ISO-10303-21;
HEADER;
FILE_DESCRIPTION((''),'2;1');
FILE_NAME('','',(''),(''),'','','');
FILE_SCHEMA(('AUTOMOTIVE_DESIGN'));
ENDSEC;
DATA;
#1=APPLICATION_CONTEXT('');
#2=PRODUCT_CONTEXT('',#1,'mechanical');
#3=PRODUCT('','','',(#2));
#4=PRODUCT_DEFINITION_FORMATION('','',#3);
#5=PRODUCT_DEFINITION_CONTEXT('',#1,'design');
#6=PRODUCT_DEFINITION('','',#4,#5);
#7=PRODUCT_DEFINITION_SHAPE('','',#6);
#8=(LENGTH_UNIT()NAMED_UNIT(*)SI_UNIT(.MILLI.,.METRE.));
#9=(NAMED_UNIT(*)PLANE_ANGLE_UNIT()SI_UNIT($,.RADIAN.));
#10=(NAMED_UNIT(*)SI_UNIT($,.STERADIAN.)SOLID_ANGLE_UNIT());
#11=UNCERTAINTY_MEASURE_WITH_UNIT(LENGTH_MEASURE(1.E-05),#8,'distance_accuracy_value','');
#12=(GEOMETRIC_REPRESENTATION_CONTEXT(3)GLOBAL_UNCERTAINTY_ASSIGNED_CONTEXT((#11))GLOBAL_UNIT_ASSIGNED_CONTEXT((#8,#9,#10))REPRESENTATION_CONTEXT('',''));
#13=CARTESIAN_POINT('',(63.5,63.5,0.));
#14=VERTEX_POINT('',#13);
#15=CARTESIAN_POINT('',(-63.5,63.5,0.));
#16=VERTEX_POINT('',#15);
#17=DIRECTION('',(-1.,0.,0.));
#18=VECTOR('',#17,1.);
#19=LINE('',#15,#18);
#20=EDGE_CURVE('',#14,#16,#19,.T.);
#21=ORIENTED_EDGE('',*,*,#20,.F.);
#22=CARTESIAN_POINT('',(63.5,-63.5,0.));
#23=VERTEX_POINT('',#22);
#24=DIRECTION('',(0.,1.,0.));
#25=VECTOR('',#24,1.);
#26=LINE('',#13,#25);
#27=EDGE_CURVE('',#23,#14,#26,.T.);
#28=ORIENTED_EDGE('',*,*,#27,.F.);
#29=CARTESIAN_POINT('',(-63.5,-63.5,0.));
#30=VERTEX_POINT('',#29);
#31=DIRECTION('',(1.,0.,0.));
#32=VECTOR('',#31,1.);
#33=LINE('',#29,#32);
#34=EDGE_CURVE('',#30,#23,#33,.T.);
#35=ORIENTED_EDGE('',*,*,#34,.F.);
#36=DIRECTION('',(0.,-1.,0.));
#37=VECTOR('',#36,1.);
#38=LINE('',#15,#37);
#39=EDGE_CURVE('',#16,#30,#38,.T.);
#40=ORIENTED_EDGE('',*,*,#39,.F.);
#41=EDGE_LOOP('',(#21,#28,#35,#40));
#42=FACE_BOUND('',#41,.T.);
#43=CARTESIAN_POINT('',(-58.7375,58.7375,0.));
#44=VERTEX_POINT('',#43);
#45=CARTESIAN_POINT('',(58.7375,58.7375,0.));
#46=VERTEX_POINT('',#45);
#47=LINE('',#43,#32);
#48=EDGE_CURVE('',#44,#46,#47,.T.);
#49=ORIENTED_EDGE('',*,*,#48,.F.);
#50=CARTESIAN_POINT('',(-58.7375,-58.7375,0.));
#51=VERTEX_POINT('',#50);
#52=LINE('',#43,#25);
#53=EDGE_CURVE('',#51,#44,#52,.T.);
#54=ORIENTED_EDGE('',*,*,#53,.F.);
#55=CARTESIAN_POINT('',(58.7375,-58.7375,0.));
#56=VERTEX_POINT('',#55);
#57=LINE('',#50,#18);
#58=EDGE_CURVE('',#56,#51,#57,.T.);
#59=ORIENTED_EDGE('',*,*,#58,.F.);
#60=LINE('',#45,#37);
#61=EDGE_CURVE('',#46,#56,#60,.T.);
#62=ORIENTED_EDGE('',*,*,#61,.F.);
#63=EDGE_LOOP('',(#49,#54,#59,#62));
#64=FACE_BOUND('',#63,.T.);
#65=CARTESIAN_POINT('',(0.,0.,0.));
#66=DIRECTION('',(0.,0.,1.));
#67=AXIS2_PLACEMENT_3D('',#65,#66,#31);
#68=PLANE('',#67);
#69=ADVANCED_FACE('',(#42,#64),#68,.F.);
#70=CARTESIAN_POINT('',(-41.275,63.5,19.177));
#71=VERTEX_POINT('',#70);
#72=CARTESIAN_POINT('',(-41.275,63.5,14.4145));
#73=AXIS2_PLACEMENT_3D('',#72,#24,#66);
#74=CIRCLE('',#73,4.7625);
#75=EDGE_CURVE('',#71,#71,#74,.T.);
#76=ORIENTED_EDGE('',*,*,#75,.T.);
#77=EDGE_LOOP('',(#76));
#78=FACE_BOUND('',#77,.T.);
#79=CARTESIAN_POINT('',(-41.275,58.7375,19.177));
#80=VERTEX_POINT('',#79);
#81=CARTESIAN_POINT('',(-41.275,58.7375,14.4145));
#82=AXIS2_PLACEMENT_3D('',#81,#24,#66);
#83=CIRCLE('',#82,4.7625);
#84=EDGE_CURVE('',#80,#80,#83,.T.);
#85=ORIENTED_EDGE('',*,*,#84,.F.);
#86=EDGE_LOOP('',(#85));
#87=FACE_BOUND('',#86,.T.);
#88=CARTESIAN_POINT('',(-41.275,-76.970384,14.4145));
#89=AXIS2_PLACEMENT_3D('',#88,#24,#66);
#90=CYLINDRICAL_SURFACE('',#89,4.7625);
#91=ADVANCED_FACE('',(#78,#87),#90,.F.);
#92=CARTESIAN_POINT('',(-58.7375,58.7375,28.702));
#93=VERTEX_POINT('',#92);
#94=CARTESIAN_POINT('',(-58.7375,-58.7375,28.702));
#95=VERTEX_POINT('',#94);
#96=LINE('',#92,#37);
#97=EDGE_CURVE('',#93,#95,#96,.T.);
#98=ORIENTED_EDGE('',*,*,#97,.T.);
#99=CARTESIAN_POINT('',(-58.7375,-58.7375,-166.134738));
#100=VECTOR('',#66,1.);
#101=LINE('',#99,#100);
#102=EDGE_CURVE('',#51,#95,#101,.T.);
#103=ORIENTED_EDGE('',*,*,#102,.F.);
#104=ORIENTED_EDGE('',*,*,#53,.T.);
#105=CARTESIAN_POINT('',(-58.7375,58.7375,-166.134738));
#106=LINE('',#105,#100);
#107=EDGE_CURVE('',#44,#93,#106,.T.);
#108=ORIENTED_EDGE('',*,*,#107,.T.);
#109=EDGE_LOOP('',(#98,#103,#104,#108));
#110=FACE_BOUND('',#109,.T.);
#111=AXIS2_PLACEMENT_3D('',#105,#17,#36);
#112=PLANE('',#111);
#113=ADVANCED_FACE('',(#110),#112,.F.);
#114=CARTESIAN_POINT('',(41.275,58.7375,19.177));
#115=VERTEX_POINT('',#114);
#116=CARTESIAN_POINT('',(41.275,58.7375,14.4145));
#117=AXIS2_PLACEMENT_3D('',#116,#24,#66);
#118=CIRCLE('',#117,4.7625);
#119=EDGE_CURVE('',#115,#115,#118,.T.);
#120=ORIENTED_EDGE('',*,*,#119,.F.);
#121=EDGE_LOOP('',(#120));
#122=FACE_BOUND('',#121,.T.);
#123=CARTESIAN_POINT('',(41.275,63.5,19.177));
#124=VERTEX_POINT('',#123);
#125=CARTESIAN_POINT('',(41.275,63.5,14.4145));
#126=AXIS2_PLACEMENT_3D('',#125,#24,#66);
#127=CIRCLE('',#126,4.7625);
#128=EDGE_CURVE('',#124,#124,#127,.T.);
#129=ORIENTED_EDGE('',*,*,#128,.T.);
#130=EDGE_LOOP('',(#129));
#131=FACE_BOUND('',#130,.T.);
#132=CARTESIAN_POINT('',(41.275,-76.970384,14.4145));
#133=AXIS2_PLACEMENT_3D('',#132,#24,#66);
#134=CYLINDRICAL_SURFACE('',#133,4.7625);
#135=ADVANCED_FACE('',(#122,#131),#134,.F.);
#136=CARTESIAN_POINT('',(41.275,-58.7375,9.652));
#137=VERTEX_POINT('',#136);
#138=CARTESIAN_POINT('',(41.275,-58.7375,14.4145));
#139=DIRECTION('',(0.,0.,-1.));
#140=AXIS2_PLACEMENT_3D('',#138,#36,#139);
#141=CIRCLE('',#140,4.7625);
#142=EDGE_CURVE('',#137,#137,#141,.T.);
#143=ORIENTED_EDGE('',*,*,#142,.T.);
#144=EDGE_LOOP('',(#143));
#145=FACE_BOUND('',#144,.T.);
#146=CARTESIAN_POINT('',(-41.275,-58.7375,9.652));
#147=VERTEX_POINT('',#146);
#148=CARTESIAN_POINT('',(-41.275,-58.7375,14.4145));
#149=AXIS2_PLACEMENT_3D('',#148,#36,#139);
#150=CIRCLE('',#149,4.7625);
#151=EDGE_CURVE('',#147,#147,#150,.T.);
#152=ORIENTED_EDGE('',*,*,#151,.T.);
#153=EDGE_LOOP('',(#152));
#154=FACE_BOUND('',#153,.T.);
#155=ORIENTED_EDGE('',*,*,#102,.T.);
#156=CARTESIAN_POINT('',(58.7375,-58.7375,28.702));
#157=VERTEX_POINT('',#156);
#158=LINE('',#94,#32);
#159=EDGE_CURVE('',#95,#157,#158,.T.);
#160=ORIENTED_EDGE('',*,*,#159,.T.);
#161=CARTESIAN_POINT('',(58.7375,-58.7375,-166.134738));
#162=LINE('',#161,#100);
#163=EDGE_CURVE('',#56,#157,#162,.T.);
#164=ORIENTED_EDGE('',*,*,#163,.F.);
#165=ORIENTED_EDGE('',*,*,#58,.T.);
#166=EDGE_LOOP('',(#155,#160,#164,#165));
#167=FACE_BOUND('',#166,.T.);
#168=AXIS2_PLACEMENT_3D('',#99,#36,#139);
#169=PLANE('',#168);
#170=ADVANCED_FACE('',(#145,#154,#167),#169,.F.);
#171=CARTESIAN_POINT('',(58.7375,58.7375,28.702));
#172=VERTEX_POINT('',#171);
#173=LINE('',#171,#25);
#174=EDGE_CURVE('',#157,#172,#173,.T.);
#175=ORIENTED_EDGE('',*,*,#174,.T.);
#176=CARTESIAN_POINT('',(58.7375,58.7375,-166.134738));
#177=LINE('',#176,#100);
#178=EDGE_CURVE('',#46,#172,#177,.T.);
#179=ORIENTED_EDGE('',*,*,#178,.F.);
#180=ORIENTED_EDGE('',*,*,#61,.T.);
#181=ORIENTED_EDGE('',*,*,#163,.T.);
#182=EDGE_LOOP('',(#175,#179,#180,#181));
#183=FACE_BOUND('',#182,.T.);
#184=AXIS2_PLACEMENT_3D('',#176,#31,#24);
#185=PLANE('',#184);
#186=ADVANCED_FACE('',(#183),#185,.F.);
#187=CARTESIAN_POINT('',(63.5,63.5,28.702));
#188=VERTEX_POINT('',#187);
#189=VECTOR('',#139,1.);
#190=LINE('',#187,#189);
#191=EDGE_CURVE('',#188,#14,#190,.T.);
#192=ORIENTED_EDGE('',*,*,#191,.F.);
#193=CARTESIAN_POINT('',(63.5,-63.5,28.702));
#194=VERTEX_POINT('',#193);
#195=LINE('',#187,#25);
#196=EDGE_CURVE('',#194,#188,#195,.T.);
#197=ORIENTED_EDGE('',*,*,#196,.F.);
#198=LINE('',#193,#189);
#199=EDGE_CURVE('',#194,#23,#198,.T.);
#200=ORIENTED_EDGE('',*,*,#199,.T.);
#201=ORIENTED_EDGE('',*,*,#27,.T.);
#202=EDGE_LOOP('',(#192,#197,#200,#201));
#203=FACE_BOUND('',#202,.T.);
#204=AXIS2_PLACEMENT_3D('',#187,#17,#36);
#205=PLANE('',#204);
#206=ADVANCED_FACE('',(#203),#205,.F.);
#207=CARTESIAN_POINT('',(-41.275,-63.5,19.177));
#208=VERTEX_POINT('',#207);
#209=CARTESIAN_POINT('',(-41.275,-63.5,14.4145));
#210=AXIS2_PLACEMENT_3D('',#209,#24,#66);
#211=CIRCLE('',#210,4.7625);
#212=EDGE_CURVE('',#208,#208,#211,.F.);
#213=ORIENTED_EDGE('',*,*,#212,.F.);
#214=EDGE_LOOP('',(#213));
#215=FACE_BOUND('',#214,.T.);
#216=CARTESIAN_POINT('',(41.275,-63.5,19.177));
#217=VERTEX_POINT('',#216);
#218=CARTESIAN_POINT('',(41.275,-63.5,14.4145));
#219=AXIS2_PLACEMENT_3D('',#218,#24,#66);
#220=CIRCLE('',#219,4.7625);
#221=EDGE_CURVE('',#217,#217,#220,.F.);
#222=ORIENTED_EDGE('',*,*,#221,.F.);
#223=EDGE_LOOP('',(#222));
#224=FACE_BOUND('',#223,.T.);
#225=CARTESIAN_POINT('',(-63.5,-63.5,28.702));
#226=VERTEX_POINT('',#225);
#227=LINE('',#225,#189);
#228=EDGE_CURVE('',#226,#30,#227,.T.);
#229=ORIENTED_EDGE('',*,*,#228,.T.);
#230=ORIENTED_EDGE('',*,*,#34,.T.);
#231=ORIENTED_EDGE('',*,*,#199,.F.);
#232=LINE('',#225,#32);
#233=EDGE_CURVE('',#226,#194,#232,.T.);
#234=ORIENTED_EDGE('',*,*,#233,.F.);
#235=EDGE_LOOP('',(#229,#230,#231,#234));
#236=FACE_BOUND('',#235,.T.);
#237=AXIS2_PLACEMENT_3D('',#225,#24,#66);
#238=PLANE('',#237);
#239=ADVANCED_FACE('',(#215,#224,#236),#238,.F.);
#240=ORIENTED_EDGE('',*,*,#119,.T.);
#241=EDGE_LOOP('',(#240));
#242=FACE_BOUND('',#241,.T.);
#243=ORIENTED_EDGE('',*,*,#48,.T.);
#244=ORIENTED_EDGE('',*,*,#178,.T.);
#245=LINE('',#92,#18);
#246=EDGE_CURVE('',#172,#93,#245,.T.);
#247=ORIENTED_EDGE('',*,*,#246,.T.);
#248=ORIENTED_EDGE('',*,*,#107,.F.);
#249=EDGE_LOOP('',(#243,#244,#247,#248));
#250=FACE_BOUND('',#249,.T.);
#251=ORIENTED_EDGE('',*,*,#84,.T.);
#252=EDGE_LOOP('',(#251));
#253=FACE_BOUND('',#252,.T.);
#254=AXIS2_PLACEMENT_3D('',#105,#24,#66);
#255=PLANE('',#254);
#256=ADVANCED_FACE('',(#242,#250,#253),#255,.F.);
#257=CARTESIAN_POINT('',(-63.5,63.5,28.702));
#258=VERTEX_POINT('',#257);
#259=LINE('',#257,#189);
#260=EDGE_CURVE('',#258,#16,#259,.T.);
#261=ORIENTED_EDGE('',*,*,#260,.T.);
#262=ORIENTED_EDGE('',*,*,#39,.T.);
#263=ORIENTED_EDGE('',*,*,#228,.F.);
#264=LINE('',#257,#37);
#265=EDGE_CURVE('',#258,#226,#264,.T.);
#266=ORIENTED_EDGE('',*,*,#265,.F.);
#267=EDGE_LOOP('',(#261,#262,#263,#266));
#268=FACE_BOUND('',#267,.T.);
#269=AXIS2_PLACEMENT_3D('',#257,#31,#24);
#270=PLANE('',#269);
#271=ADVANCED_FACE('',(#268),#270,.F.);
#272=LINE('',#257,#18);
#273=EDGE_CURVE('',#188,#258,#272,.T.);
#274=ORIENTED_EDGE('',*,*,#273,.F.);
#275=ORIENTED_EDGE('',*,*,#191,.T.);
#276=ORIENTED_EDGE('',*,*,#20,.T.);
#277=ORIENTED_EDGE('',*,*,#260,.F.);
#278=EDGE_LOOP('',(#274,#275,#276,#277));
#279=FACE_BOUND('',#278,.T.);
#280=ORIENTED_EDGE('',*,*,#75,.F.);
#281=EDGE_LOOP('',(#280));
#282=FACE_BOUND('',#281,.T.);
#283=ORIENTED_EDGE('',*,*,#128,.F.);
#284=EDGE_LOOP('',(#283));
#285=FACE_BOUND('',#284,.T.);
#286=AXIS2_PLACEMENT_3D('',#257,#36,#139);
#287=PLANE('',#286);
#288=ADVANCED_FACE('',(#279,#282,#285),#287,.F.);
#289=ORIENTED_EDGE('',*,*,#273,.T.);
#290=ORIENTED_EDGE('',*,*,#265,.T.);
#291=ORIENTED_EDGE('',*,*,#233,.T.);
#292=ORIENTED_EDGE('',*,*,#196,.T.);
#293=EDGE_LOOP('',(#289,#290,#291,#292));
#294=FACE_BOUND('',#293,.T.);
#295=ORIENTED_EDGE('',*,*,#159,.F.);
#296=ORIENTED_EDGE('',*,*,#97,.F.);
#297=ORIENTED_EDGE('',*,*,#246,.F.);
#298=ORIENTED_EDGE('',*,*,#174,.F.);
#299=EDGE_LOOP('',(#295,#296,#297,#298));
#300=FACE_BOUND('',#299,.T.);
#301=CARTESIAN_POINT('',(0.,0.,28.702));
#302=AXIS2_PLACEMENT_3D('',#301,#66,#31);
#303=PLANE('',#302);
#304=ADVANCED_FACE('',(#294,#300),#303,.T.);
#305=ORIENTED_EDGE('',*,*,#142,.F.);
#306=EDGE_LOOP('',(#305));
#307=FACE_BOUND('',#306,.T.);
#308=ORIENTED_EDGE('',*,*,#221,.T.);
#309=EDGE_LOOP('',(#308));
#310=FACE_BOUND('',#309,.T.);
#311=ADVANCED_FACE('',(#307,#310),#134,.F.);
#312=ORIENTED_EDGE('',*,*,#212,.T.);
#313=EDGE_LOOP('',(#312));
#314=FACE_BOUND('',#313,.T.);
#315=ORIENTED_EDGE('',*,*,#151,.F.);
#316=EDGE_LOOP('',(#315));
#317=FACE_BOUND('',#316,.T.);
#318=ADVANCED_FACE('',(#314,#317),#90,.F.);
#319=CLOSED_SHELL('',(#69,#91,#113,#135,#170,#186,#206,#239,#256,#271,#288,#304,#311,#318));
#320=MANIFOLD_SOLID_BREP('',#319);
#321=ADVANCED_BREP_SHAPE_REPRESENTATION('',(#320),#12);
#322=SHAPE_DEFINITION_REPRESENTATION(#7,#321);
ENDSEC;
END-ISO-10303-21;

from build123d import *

# Parameters (mm, degrees)
SKETCH2_W           = 127
SKETCH2_H           = 127
BOSS_EXTRUDE1_DEPTH = 28.702
SKETCH3_W           = 117.475
SKETCH3_H           = 117.475
CUT_EXTRUDE1_DEPTH  = 28.702
CUT_EXTRUDE2_REACH  = 146.862
SKETCH4_R           = 4.7625


with BuildPart() as part:
    # Sketch2 → Boss-Extrude1 (new body)
    with BuildSketch(Plane.XY):
        Rectangle(SKETCH2_W, SKETCH2_H)
    extrude(amount=BOSS_EXTRUDE1_DEPTH)

    # Sketch3 → Cut-Extrude1 (cut)
    with BuildSketch(Plane.XY.offset(28.702)):
        Rectangle(SKETCH3_W, SKETCH3_H)
    extrude(amount=-CUT_EXTRUDE1_DEPTH, mode=Mode.SUBTRACT)

    # Cut-Extrude2: up to this face of the body (flat: up to its plane)
    cut_extrude2_end = Plane(part.part.faces().sort_by_distance((0, -63.5, 14.351))[0])
    # Sketch4 → Cut-Extrude2 (cut, up to the picked face)
    with BuildSketch(Plane(origin=(0, 63.5, 0), x_dir=(1, 0, 0), z_dir=(0, 1, 0)), mode=Mode.PRIVATE) as cut_extrude2_sk1:
        with Locations(Location((41.275, -14.4145, 0), (0, 0, 270))):
            Circle(SKETCH4_R)
    cut_extrude2_tool1 = split(extrude(cut_extrude2_sk1.sketch, amount=-CUT_EXTRUDE2_REACH, mode=Mode.PRIVATE), bisect_by=cut_extrude2_end, keep=Keep.BOTH, mode=Mode.PRIVATE)
    # Sketch4 → Cut-Extrude2 (cut, up to the picked face)
    with BuildSketch(Plane(origin=(0, 63.5, 0), x_dir=(1, 0, 0), z_dir=(0, 1, 0)), mode=Mode.PRIVATE) as cut_extrude2_sk2:
        with Locations(Location((-41.275, -14.4145, 0), (0, 0, 270))):
            Circle(SKETCH4_R)
    cut_extrude2_tool2 = split(extrude(cut_extrude2_sk2.sketch, amount=-CUT_EXTRUDE2_REACH, mode=Mode.PRIVATE), bisect_by=cut_extrude2_end, keep=Keep.BOTH, mode=Mode.PRIVATE)
    add(cut_extrude2_tool1.solids().sort_by(Axis((41.275, 63.5, 14.4145), (0, -1, 0)))[0], mode=Mode.SUBTRACT)
    add(cut_extrude2_tool2.solids().sort_by(Axis((-41.275, 63.5, 14.4145), (0, -1, 0)))[0], mode=Mode.SUBTRACT)


solid = part.part
